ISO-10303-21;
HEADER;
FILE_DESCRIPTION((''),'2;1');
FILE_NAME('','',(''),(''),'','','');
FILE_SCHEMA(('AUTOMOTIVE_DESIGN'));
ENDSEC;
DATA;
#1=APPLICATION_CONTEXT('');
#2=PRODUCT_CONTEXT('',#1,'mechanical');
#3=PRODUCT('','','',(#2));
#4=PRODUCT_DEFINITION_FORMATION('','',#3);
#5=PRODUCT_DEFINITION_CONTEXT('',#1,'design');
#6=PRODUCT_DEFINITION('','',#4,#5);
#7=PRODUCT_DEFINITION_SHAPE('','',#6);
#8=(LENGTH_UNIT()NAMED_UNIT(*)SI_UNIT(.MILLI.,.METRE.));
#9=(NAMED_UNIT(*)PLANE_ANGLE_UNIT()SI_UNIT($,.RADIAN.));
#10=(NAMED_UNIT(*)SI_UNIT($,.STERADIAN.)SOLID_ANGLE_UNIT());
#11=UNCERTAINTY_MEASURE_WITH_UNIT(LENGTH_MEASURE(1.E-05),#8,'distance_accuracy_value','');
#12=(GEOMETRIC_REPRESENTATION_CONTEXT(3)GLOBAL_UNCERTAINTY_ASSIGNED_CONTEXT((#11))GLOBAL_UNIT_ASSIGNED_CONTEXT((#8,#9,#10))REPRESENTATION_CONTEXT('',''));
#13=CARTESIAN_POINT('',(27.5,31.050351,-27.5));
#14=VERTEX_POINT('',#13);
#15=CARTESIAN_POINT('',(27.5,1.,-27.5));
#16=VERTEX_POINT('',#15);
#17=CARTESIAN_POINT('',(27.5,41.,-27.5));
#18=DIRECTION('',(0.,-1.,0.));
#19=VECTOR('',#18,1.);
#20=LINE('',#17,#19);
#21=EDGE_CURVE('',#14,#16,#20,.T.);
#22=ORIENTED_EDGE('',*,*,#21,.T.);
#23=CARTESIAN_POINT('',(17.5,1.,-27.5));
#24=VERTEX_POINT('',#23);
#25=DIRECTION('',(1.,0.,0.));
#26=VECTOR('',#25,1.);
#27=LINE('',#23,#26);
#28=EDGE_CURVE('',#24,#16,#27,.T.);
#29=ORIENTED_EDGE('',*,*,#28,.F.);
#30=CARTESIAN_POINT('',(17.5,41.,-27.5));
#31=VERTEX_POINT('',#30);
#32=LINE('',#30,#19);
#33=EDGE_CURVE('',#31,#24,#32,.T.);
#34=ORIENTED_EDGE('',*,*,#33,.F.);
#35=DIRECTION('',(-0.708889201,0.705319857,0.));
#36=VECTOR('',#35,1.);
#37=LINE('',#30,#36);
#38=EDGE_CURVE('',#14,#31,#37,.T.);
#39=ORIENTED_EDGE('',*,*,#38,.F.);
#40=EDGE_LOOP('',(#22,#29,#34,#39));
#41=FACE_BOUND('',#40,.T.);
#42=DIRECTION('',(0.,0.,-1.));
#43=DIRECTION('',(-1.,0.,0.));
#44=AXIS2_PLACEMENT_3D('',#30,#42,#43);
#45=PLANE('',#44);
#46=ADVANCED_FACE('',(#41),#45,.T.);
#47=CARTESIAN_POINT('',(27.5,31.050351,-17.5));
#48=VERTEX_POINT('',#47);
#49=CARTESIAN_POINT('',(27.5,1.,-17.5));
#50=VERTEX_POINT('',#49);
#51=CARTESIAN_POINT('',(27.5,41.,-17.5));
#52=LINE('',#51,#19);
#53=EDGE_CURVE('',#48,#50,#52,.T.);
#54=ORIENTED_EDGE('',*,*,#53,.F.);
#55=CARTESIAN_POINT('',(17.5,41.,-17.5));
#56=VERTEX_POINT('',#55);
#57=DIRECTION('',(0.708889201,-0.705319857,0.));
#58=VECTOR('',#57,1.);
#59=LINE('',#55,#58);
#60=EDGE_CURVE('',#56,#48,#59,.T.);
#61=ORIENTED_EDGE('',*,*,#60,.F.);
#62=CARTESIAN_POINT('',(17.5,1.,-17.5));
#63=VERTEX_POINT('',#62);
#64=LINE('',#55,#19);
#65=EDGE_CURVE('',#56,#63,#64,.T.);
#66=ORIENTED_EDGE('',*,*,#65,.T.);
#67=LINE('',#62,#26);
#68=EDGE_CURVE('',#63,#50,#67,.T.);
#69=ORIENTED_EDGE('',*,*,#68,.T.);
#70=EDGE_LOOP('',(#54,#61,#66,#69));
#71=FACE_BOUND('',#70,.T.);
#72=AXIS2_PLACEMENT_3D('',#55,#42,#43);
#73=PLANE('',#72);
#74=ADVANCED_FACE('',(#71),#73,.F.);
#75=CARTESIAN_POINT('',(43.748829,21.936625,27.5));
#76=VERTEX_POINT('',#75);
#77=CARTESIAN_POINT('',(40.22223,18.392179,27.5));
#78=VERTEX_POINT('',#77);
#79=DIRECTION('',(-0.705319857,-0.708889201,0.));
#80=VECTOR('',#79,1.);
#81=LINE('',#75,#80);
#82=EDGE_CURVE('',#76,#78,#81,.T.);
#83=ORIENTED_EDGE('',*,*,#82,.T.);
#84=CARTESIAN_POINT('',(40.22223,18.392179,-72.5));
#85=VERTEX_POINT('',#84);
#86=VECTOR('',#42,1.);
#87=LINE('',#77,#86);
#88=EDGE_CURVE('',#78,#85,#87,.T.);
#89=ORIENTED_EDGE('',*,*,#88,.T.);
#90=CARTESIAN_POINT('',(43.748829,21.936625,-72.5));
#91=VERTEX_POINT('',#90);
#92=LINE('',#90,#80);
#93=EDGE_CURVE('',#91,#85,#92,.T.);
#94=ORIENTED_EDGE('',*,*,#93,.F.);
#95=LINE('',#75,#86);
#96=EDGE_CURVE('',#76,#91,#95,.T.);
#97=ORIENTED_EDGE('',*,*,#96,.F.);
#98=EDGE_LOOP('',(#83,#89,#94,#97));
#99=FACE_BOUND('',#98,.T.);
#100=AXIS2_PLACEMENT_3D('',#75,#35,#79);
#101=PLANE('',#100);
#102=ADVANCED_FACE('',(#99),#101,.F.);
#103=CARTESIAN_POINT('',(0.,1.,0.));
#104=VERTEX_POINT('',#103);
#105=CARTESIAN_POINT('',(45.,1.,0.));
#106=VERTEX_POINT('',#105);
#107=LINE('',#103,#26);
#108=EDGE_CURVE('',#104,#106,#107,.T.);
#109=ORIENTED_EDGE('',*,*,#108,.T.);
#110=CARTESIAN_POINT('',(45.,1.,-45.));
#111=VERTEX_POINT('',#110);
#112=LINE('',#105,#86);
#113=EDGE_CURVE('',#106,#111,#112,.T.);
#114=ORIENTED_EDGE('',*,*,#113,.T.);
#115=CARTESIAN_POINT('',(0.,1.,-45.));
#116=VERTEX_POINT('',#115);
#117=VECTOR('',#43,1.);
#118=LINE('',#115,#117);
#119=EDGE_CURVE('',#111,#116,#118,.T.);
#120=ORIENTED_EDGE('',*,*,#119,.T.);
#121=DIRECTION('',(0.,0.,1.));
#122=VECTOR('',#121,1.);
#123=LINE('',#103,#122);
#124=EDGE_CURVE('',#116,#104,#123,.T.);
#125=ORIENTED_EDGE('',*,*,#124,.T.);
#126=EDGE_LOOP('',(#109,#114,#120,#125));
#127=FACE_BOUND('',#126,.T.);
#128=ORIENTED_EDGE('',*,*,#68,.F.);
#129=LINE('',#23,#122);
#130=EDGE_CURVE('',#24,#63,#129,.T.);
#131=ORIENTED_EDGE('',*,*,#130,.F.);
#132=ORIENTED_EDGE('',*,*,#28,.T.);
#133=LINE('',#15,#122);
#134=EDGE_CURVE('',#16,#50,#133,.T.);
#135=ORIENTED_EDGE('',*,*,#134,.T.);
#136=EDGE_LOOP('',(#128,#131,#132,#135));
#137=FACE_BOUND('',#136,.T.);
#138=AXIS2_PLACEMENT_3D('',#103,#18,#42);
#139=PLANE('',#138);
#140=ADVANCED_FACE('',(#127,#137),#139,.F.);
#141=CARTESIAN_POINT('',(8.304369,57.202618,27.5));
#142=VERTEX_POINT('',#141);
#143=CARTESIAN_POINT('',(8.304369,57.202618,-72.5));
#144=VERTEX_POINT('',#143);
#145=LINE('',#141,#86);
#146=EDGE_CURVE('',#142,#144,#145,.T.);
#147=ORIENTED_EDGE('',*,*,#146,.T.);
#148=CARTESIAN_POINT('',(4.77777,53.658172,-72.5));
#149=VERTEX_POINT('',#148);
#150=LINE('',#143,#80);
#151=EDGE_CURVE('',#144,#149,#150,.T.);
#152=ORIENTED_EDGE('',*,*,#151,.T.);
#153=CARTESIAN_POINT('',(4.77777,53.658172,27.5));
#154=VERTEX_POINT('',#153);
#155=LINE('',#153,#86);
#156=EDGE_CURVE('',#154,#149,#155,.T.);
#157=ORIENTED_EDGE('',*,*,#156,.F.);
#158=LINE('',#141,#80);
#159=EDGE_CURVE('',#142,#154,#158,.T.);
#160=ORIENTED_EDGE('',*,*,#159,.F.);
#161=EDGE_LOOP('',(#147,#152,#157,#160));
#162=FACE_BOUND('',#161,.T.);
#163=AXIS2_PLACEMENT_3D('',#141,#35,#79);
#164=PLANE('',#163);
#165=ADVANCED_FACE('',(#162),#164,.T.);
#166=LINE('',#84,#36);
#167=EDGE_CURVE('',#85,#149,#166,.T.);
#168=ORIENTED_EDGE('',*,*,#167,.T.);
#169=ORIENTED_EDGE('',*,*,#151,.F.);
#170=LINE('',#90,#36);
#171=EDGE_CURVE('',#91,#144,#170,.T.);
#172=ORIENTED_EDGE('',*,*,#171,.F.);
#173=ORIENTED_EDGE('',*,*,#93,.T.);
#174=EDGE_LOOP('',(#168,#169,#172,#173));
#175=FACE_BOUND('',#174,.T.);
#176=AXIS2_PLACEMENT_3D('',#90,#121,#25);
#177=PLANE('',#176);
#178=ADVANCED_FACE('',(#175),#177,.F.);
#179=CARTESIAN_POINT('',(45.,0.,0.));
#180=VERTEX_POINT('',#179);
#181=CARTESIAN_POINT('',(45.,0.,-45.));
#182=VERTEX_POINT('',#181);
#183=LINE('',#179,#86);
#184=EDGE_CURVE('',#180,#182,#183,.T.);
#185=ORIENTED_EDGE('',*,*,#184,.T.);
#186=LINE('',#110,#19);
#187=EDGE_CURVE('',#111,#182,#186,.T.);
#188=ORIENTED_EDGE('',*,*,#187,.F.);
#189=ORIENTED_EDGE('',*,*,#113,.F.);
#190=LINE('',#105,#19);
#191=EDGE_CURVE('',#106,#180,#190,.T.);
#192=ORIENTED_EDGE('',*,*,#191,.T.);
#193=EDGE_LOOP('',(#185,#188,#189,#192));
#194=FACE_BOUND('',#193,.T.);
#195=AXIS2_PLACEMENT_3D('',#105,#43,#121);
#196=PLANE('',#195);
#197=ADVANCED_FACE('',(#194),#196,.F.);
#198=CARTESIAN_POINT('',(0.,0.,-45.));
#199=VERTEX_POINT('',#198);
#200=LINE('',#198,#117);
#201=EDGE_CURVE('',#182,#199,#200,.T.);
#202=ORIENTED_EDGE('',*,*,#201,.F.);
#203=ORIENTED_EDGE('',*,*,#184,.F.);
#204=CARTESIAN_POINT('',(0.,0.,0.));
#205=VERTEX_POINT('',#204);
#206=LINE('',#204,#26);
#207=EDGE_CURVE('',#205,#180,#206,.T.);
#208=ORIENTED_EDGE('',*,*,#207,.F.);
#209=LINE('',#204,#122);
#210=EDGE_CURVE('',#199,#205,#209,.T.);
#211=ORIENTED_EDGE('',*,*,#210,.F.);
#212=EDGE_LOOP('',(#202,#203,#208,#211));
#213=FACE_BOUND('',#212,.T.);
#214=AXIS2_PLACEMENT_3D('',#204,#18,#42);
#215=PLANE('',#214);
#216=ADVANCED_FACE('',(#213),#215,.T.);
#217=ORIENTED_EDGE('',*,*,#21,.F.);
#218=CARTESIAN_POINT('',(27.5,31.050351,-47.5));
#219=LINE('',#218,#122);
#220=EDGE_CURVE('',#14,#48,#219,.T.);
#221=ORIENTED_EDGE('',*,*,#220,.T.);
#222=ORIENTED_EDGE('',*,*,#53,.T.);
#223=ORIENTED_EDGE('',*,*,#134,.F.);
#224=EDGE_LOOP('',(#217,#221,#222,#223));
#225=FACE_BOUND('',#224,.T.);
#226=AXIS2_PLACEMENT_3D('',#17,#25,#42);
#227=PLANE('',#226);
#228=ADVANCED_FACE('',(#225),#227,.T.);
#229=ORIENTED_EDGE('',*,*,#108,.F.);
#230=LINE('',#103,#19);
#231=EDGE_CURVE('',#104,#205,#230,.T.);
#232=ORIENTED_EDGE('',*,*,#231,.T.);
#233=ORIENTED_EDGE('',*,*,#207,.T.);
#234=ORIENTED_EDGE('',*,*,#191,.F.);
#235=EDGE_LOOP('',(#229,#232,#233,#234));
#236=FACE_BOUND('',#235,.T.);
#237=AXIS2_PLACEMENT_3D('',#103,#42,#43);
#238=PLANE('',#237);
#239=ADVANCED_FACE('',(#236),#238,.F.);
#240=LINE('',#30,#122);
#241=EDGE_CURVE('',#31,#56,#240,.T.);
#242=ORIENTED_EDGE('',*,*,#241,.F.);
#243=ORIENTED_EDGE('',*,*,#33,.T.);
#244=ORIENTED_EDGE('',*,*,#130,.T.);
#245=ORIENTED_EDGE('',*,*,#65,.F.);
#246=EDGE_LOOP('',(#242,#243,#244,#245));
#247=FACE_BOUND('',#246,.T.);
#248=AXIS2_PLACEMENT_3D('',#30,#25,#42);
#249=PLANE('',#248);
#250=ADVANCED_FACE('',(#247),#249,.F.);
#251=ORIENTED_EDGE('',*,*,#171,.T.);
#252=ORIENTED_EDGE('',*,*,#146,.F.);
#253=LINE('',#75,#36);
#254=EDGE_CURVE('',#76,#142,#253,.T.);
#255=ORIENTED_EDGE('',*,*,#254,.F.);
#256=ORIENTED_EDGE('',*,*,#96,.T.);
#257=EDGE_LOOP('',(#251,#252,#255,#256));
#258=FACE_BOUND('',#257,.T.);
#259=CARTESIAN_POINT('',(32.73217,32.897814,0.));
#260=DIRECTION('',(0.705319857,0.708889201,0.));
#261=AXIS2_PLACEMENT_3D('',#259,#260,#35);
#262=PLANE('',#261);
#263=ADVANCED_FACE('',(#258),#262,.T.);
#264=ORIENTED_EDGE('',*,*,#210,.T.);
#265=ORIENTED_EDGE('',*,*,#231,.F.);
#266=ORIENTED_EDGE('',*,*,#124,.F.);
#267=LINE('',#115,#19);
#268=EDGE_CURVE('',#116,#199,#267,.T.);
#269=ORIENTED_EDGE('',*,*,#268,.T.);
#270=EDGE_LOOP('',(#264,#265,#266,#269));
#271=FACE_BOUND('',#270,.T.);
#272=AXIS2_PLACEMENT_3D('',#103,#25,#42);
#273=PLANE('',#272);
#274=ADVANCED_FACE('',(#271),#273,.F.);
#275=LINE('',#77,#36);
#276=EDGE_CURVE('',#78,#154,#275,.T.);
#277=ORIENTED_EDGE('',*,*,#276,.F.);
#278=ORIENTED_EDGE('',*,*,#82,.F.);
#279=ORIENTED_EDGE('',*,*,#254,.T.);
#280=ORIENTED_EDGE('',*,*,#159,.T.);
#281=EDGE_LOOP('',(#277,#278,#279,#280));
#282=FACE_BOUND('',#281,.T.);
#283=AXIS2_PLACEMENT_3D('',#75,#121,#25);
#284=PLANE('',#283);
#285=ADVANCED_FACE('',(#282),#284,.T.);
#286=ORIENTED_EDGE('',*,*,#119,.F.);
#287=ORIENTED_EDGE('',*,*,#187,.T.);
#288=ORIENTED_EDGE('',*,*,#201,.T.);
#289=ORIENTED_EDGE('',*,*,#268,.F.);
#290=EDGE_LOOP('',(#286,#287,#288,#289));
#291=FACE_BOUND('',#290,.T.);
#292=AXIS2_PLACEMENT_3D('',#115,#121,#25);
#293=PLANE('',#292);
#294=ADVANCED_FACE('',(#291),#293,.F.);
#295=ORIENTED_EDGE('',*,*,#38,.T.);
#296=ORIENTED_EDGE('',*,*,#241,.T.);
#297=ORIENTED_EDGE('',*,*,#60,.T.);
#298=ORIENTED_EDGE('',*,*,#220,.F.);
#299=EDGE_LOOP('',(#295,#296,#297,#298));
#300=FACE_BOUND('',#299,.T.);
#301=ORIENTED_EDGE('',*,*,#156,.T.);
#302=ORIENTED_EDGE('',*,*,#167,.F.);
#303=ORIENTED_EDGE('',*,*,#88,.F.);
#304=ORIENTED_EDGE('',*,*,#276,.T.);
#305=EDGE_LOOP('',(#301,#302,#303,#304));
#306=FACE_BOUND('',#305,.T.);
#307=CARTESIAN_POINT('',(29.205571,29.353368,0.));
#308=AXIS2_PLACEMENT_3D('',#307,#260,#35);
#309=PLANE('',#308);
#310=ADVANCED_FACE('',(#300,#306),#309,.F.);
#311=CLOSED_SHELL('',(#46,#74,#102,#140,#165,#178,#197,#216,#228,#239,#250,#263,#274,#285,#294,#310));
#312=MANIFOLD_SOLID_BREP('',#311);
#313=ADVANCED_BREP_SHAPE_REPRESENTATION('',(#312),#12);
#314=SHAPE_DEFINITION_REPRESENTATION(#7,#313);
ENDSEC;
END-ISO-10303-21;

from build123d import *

# Parameters (mm, degrees)
SKETCH2_W            = 45
SKETCH2_H            = 45
BOSS_EXTRUDE1_DEPTH  = 1
SKETCH4_W            = 10
SKETCH4_H            = 10
BOSS_EXTRUDE3_DEPTH  = 40
CUT_EXTRUDE4_DEPTH   = 30
SKETCH19_W           = 50
SKETCH19_H           = 100
BOSS_EXTRUDE10_DEPTH = 5


with BuildPart() as part:
    # Sketch2 → Boss-Extrude1 (new body)
    with BuildSketch(Plane(origin=(0, 0, 0), x_dir=(1, 0, 0), z_dir=(0, 1, 0))):
        with Locations((22.5, 22.5)):
            Rectangle(SKETCH2_W, SKETCH2_H)
    extrude(amount=BOSS_EXTRUDE1_DEPTH)

    # Sketch4 → Boss-Extrude3 (add)
    with BuildSketch(Plane(origin=(0, 1, 0), x_dir=(1, 0, 0), z_dir=(0, 1, 0))):
        with Locations((22.5, 22.5)):
            Rectangle(SKETCH4_W, SKETCH4_H)
    extrude(amount=BOSS_EXTRUDE3_DEPTH)

    # Sketch10 → Cut-Extrude4 (cut)
    with BuildSketch(Plane(origin=(17.5, 41, -17.5), x_dir=(1, 0, 0), z_dir=(0, 0, 1))):
        Polygon((0, 0), (10, -9.949648776), (17.910752022, -1.998863577), (8.35816631, 7.505623697), align=None)
    extrude(amount=-CUT_EXTRUDE4_DEPTH, mode=Mode.SUBTRACT)

    # Sketch19 → Boss-Extrude10 (add)
    with BuildSketch(Plane(origin=(29.205570589, 29.353368392, 0), x_dir=(0.708889201, -0.705319857, 0), z_dir=(0.705319857, 0.708889201, 0))):
        with Locations((-9.459264691, 22.5)):
            Rectangle(SKETCH19_W, SKETCH19_H)
    extrude(amount=BOSS_EXTRUDE10_DEPTH)


solid = part.part
